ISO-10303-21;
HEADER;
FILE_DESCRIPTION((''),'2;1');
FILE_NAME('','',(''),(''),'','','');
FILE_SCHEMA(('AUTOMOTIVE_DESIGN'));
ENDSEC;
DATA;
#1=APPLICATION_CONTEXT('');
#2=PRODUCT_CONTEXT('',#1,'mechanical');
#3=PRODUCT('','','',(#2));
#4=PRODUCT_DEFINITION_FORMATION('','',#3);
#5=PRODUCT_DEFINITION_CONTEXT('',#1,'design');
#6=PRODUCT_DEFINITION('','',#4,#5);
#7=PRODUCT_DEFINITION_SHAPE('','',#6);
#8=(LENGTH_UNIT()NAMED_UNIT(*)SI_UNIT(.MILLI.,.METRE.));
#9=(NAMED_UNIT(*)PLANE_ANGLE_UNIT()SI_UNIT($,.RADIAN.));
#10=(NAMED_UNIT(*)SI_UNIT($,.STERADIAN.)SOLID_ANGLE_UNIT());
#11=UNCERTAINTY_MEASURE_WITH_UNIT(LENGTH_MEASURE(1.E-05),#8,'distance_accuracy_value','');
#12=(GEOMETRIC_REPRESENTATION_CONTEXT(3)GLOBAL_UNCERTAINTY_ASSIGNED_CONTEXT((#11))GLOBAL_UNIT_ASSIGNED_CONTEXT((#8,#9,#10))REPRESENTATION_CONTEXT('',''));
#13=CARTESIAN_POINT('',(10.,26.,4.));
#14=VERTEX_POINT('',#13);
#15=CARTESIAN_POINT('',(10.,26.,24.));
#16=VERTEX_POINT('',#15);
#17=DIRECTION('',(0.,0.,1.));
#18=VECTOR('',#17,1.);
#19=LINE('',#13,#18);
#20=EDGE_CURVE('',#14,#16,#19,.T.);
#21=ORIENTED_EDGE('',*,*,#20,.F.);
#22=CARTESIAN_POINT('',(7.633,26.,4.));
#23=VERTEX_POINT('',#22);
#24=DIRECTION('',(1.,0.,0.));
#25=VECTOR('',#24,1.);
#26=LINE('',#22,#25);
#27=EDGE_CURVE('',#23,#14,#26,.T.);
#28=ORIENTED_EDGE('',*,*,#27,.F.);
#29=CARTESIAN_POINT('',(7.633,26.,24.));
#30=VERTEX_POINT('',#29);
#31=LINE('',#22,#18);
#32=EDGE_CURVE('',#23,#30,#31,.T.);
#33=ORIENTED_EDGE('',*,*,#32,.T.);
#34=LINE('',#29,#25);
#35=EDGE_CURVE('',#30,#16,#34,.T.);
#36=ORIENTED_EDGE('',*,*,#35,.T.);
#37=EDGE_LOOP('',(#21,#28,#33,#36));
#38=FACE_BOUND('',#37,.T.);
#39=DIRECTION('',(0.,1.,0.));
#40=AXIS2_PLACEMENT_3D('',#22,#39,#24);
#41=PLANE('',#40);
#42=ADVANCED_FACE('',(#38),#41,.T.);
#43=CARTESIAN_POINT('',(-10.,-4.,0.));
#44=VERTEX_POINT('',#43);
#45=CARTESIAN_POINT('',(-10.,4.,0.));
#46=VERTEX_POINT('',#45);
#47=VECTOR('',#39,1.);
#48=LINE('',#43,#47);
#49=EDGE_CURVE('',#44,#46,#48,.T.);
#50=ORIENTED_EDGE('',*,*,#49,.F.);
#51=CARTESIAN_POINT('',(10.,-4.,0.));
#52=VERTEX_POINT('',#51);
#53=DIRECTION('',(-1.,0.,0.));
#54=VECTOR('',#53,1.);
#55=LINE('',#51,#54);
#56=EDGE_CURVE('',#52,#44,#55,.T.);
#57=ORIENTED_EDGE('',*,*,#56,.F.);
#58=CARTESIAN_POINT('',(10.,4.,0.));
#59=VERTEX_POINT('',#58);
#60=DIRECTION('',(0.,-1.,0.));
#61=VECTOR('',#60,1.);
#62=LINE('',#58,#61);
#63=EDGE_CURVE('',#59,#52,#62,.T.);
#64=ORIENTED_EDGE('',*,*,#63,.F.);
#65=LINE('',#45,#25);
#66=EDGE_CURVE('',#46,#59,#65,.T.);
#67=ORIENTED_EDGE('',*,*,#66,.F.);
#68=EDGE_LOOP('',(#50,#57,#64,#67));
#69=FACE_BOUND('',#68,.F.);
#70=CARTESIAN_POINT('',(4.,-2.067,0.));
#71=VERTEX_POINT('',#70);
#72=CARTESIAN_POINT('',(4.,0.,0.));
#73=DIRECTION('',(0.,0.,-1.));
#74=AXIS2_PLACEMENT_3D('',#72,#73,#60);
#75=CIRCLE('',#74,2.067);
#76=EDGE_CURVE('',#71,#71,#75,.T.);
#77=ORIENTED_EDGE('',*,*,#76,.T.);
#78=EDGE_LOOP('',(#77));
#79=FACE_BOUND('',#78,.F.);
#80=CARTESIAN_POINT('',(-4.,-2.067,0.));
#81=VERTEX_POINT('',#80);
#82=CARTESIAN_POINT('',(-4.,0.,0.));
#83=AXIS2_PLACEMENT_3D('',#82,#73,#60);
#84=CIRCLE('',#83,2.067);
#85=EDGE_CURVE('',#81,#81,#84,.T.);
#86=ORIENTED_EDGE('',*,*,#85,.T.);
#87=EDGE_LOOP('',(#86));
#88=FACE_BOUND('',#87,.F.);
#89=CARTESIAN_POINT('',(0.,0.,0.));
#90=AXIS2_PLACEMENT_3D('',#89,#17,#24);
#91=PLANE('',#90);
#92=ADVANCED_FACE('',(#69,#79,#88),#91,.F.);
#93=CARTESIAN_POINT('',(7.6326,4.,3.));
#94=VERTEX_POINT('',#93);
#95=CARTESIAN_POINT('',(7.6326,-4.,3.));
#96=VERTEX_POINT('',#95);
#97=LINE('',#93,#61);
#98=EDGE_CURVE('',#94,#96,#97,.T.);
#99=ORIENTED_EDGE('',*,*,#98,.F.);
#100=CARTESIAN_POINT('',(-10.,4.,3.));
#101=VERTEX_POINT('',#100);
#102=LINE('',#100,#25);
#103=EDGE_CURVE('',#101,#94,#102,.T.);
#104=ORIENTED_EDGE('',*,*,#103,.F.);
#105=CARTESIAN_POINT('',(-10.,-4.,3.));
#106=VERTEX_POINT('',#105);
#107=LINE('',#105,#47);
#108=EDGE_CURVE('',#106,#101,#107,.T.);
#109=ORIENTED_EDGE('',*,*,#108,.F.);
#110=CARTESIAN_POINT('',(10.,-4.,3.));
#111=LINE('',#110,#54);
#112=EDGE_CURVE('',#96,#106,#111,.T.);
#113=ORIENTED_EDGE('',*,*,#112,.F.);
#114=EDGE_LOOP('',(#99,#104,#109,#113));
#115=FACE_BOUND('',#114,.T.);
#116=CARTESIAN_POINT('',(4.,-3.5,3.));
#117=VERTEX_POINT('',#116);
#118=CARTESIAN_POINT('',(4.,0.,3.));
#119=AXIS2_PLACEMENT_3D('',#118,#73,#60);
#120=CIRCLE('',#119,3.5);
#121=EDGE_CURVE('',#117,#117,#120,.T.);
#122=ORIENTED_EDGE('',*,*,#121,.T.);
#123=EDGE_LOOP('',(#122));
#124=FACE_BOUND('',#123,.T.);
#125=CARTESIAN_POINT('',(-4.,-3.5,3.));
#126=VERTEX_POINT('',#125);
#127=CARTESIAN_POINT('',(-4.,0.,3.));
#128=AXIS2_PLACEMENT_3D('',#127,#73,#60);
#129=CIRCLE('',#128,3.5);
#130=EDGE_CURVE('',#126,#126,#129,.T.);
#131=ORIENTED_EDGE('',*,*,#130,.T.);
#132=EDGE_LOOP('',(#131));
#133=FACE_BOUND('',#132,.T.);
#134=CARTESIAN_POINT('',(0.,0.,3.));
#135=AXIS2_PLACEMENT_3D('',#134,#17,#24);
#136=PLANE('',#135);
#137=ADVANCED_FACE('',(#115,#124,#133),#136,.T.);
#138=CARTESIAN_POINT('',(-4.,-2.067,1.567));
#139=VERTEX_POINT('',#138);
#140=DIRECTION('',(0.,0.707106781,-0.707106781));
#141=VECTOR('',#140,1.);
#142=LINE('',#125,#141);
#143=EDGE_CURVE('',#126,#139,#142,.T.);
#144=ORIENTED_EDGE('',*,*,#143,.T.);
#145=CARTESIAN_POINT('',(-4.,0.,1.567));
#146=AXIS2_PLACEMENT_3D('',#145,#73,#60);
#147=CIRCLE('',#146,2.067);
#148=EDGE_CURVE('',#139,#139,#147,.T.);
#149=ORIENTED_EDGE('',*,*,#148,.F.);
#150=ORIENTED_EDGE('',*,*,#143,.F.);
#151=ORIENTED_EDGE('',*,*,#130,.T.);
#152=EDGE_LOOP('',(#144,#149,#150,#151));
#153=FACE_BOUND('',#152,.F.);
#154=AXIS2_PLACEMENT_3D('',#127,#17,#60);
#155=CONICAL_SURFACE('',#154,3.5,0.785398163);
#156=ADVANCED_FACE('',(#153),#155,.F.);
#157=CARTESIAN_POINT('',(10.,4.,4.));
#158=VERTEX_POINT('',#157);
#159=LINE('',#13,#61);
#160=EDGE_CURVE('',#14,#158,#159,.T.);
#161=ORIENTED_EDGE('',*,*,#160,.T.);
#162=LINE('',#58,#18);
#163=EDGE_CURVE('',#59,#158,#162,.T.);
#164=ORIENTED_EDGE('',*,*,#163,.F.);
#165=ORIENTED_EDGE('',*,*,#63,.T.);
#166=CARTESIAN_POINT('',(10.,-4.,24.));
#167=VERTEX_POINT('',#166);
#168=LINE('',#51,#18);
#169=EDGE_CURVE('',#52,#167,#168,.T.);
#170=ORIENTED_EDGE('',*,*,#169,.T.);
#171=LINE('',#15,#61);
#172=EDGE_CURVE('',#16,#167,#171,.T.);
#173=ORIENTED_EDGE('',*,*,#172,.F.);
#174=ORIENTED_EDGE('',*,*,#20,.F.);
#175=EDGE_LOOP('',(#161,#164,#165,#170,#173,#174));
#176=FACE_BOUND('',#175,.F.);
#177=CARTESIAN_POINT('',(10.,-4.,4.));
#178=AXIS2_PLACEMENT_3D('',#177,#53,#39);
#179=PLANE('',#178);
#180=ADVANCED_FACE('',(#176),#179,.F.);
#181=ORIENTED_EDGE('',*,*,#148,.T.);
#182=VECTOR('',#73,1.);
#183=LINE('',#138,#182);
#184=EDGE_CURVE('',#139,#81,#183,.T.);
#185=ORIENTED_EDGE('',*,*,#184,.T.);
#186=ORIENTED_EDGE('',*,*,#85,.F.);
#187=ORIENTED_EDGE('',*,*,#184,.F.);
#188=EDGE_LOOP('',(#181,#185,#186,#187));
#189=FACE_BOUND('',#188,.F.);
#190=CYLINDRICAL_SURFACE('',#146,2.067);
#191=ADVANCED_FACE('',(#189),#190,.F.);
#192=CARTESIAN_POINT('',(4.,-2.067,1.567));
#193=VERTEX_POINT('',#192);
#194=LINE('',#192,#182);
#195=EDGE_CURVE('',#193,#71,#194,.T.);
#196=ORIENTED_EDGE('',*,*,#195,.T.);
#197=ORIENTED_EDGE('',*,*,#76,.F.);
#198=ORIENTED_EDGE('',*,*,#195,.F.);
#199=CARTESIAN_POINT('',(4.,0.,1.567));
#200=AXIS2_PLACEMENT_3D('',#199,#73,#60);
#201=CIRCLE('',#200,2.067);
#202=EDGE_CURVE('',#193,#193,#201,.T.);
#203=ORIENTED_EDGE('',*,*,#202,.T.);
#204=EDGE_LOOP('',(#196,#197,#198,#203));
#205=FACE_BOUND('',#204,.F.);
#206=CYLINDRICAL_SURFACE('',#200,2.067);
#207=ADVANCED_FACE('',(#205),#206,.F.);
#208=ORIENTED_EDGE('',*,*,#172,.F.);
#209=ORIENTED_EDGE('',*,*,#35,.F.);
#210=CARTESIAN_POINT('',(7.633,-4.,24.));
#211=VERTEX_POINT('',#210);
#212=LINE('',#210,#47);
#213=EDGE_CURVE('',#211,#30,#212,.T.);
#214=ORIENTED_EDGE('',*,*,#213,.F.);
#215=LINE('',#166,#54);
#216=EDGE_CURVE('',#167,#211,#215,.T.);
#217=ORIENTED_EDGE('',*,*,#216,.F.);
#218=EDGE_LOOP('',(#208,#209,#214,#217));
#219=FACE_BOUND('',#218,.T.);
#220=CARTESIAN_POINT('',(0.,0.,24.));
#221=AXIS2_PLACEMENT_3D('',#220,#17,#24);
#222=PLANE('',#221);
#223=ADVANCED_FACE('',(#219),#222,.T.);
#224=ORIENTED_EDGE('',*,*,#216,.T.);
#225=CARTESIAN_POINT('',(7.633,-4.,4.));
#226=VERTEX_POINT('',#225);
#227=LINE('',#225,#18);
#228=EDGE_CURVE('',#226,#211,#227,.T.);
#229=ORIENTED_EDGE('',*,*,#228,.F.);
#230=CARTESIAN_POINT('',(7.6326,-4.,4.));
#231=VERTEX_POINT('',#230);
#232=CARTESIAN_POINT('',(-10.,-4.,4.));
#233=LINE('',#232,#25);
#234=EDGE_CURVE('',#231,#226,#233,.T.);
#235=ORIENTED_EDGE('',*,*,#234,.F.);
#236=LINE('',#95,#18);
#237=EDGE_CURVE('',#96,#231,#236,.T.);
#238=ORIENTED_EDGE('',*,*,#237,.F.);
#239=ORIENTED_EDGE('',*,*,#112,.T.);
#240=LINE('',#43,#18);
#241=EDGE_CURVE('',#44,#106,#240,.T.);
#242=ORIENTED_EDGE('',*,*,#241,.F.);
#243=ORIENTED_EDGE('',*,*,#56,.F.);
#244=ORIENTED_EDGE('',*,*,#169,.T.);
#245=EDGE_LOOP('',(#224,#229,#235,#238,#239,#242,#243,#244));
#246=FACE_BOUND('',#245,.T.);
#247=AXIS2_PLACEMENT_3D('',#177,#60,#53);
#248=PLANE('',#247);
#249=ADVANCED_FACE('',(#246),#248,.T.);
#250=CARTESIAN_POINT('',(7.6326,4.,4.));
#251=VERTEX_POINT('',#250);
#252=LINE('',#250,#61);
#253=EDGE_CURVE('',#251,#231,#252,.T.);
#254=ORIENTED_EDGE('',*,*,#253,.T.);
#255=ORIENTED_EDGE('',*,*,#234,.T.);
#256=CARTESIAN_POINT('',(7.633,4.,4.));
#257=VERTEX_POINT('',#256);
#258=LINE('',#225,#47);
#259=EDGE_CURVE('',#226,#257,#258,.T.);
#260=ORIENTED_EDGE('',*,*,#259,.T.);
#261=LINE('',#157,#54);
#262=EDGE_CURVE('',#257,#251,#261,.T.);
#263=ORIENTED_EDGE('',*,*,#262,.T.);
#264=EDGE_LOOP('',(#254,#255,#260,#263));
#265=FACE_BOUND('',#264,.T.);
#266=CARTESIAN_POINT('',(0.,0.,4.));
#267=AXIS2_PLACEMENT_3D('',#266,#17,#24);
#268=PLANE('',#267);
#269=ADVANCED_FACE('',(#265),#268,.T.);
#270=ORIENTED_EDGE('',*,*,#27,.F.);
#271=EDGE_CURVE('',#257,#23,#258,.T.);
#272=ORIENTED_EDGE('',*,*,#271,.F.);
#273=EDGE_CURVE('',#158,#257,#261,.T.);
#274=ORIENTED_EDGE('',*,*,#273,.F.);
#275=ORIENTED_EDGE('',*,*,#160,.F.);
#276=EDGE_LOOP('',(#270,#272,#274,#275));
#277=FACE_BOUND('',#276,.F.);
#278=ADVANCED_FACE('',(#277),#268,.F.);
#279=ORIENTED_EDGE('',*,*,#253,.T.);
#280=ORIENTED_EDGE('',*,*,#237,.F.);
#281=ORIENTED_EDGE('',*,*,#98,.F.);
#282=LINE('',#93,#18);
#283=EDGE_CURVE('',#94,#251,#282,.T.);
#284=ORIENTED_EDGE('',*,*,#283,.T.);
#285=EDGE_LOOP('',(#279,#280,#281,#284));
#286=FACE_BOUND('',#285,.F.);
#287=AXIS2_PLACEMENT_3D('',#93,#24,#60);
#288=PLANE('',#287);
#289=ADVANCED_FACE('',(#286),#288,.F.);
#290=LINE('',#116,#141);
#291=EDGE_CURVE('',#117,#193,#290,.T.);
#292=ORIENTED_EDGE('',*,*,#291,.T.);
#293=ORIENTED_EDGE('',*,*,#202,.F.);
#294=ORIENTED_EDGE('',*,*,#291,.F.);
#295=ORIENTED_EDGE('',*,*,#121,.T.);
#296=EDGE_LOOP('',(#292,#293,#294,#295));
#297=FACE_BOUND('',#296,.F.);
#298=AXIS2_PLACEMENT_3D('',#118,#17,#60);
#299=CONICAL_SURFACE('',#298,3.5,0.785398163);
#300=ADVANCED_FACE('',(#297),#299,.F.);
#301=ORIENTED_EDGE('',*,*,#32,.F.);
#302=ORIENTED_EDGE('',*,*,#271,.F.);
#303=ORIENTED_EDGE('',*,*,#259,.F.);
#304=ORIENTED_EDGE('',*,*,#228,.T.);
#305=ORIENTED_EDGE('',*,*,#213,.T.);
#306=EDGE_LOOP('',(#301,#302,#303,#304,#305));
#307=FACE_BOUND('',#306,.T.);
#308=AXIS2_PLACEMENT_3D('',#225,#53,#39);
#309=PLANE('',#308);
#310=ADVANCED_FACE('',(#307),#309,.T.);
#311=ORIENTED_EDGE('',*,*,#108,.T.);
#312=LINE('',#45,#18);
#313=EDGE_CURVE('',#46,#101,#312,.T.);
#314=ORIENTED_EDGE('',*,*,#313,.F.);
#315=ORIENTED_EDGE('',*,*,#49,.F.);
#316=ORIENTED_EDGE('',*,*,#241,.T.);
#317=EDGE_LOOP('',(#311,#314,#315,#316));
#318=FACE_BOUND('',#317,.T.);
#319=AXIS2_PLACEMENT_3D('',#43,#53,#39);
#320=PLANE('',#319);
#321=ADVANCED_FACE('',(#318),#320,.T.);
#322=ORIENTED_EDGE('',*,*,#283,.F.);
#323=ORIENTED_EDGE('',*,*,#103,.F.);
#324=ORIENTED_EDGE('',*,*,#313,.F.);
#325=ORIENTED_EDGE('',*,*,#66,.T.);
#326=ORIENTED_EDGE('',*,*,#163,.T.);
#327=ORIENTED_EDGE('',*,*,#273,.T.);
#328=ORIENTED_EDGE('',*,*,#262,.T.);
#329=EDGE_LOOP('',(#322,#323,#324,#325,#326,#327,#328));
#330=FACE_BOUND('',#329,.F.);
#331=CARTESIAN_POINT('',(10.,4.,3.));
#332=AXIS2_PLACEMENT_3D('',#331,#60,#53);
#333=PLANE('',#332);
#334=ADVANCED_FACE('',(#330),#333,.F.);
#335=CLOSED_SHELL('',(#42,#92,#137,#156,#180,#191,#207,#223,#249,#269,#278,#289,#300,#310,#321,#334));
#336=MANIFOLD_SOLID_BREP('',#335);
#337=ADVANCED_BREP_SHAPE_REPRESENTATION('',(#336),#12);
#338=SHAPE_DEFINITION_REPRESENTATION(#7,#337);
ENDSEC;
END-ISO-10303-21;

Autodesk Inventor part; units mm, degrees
ref_plane "YZ Plane" through (0, 0, 0) normal (1, 0, 0) x (0, 1, 0)
ref_plane "XZ Plane" through (0, 0, 0) normal (0, 1, 0) x (-1, 0, 0)
ref_plane "XY Plane" through (0, 0, 0) normal (0, 0, 1) x (1, 0, 0)
sketch "Szkic1" plane through (0, 0, 0) normal (0, 0, 1) x (1, 0, 0)
  line L0 (-10, 4) -> (10, 4)
  line L1 (10, 4) -> (10, -4)
  line L2 (10, -4) -> (-10, -4)
  line L3 (-10, -4) -> (-10, 4)
  line L4 (-10, 4) -> (10, -4) construction
  line L5 (10, 4) -> (-10, -4) construction
  point P0 (0, 0)
  dimension "d0" = 8
  dimension "d1" = 20
extrude "Wyciągnięcie proste1" add sketch "Szkic1" along normal blind 3
sketch "Szkic2" plane through (0, 0, 3) normal (0, 0, 1) x (1, 0, 0)
  line L0 (-10, 4) -> (-10, -4) projected
  point P0 (0, 0)
  point P1 (-4, 0)
  point P2 (4, 0)
  dimension "d6" = 8
  dimension "d7" = 6
hole "Otwór1" at (-4, 0, 3) at (4, 0, 3) direction (0, 0, -1) diameter 4.134 depth 7 tip angle 118 countersink diameter 7 countersink angle 90 thread size "M5x0.8" class "6H" standard "ISO Metric profile"
sketch "Szkic3" plane through (0, 0, 3) normal (0, 0, 1) x (1, 0, 0)
  line L0 (10, 4) -> (-10, 4) projected
  line L1 (-10, -4) -> (10, -4) projected
  line L2 (10, 4) -> (7.6326, 4)
  line L3 (7.6326, 4) -> (7.6326, -4)
  line L4 (7.6326, -4) -> (10, -4)
  line L5 (10, -4) -> (10, 4)
  point P0 (0, 0)
  point P1 (10, -4)
extrude "Wyciągnięcie proste2" add sketch "Szkic3" along normal blind 1
sketch "Szkic4" plane through (0, 0, 4) normal (0, 0, 1) x (1, 0, 0)
  line L0 (10, -4) -> (10, 4) projected
  line L1 (10, -4) -> (7.633, -4)
  line L2 (7.633, -4) -> (7.633, 26)
  line L3 (7.633, 26) -> (10, 26)
  line L4 (10, 26) -> (10, -4)
  point P0 (0, 0)
  dimension "d17" = 2.367
  dimension "d18" = 30
extrude "Wyciągnięcie proste3" add sketch "Szkic4" along normal blind 20
properties part number "chwyt"
